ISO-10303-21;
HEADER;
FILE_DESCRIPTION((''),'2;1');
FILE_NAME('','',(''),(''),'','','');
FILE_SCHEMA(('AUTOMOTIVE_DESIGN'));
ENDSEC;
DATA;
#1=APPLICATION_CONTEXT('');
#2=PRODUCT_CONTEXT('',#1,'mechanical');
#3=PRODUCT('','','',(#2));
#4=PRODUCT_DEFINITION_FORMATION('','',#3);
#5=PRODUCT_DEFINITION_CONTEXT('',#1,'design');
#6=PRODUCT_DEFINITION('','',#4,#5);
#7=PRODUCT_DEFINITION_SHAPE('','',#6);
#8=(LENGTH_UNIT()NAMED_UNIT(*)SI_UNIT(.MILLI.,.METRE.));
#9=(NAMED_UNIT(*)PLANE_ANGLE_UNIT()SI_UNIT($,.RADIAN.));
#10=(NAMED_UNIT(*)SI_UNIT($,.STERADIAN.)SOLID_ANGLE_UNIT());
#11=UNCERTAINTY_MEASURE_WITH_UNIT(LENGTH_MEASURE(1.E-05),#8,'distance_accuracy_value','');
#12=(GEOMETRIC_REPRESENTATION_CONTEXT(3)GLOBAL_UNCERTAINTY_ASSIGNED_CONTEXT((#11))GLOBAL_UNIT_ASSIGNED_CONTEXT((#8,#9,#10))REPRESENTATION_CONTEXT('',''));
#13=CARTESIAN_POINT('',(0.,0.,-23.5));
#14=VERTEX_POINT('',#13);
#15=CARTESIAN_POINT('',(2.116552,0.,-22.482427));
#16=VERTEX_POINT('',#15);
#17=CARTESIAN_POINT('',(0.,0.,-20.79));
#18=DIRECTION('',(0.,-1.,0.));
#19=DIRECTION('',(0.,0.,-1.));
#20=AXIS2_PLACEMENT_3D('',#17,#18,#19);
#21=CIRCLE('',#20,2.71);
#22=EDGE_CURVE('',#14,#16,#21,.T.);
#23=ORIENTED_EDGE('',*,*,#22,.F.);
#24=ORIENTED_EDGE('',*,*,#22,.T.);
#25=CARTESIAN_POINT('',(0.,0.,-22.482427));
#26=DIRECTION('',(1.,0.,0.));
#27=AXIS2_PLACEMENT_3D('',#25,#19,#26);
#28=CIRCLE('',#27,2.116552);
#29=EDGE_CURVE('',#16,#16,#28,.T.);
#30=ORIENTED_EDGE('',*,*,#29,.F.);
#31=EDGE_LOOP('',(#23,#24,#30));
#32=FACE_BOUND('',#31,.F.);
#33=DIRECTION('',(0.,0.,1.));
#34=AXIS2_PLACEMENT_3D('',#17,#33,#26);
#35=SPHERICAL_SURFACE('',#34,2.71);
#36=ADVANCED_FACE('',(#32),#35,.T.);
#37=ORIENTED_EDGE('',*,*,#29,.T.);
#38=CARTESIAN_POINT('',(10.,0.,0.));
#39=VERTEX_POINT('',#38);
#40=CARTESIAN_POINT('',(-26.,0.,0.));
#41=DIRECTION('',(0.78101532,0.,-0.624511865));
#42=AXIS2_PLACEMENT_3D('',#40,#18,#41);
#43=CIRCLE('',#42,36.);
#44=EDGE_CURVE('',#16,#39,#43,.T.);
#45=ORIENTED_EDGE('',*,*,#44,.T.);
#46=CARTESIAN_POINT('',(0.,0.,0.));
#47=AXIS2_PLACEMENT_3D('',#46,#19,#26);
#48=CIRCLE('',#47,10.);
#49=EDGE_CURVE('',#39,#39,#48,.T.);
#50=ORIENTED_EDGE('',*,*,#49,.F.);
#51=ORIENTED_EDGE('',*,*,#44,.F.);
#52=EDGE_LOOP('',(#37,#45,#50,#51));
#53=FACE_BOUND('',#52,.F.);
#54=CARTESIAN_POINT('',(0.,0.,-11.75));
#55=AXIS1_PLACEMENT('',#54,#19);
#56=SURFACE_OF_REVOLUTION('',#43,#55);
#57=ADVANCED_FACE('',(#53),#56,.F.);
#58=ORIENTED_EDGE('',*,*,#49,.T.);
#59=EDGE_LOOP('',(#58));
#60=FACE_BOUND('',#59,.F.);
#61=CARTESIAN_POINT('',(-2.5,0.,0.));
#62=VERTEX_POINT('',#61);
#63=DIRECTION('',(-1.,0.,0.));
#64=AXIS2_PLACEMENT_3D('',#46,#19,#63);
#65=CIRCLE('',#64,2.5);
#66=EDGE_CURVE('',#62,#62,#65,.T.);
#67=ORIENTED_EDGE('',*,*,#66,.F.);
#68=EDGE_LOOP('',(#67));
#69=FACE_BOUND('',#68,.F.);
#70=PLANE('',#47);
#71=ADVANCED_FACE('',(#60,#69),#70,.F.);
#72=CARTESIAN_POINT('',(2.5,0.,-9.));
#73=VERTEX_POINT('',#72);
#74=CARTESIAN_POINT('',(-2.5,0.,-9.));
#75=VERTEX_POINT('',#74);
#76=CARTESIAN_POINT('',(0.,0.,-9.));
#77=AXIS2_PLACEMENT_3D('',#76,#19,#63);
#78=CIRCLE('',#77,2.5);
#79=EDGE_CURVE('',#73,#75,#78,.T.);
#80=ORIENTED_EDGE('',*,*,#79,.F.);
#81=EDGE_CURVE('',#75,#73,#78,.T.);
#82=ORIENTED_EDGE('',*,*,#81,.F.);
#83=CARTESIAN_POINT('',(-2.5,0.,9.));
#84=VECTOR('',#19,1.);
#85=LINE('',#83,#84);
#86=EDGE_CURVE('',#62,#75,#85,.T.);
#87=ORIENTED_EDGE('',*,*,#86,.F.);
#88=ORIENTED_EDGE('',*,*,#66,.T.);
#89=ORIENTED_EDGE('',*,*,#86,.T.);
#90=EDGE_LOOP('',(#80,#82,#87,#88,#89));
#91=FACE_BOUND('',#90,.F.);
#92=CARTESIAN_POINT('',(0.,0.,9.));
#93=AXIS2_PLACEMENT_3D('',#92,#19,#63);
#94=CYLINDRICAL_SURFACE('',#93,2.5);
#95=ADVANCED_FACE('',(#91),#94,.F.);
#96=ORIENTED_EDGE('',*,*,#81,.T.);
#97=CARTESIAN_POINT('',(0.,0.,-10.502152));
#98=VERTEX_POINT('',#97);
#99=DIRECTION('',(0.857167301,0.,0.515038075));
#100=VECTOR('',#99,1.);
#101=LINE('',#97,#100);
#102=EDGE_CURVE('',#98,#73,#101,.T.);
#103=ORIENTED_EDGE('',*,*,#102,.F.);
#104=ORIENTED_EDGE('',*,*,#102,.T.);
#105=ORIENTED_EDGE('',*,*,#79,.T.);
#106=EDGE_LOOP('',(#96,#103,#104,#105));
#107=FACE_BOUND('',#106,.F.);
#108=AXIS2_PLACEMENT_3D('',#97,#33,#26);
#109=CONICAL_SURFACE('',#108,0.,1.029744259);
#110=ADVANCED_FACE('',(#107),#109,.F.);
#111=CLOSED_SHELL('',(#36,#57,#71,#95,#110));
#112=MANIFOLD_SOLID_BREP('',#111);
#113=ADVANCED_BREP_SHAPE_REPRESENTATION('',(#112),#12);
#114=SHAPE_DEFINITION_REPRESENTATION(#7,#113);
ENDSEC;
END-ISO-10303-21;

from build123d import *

# Parameters (mm, degrees)
F3_D     = 5
F3_DEPTH = 9
F3_TIP   = 1.5021515476


with BuildPart() as f1:
    # F0 (on Front) → F1 (revolve)
    with BuildSketch(Plane.XZ):
        with BuildLine():
            Line((10, 0), (0, 0))
            Line((0, 0), (0, -23.5))
            ThreePointArc((0, -23.5), (1.1742279185, -23.2323940705), (2.116551517, -22.4824271553))
            ThreePointArc((2.116551517, -22.4824271553), (7.9720168272, -11.9122656407), (10, 0))
        make_face()
    revolve(axis=Axis((0, 0, -11.75), (0, 0, -1)))

    # F3
    with Locations(Plane.XY):
        with Locations((0, 0)):
            Hole(F3_D / 2, depth=F3_DEPTH)
            with Locations((0, 0, -(F3_DEPTH + F3_TIP / 2))):  # 118° drill point
                Cone(0, F3_D / 2, F3_TIP, mode=Mode.SUBTRACT)


solid = f1.part
